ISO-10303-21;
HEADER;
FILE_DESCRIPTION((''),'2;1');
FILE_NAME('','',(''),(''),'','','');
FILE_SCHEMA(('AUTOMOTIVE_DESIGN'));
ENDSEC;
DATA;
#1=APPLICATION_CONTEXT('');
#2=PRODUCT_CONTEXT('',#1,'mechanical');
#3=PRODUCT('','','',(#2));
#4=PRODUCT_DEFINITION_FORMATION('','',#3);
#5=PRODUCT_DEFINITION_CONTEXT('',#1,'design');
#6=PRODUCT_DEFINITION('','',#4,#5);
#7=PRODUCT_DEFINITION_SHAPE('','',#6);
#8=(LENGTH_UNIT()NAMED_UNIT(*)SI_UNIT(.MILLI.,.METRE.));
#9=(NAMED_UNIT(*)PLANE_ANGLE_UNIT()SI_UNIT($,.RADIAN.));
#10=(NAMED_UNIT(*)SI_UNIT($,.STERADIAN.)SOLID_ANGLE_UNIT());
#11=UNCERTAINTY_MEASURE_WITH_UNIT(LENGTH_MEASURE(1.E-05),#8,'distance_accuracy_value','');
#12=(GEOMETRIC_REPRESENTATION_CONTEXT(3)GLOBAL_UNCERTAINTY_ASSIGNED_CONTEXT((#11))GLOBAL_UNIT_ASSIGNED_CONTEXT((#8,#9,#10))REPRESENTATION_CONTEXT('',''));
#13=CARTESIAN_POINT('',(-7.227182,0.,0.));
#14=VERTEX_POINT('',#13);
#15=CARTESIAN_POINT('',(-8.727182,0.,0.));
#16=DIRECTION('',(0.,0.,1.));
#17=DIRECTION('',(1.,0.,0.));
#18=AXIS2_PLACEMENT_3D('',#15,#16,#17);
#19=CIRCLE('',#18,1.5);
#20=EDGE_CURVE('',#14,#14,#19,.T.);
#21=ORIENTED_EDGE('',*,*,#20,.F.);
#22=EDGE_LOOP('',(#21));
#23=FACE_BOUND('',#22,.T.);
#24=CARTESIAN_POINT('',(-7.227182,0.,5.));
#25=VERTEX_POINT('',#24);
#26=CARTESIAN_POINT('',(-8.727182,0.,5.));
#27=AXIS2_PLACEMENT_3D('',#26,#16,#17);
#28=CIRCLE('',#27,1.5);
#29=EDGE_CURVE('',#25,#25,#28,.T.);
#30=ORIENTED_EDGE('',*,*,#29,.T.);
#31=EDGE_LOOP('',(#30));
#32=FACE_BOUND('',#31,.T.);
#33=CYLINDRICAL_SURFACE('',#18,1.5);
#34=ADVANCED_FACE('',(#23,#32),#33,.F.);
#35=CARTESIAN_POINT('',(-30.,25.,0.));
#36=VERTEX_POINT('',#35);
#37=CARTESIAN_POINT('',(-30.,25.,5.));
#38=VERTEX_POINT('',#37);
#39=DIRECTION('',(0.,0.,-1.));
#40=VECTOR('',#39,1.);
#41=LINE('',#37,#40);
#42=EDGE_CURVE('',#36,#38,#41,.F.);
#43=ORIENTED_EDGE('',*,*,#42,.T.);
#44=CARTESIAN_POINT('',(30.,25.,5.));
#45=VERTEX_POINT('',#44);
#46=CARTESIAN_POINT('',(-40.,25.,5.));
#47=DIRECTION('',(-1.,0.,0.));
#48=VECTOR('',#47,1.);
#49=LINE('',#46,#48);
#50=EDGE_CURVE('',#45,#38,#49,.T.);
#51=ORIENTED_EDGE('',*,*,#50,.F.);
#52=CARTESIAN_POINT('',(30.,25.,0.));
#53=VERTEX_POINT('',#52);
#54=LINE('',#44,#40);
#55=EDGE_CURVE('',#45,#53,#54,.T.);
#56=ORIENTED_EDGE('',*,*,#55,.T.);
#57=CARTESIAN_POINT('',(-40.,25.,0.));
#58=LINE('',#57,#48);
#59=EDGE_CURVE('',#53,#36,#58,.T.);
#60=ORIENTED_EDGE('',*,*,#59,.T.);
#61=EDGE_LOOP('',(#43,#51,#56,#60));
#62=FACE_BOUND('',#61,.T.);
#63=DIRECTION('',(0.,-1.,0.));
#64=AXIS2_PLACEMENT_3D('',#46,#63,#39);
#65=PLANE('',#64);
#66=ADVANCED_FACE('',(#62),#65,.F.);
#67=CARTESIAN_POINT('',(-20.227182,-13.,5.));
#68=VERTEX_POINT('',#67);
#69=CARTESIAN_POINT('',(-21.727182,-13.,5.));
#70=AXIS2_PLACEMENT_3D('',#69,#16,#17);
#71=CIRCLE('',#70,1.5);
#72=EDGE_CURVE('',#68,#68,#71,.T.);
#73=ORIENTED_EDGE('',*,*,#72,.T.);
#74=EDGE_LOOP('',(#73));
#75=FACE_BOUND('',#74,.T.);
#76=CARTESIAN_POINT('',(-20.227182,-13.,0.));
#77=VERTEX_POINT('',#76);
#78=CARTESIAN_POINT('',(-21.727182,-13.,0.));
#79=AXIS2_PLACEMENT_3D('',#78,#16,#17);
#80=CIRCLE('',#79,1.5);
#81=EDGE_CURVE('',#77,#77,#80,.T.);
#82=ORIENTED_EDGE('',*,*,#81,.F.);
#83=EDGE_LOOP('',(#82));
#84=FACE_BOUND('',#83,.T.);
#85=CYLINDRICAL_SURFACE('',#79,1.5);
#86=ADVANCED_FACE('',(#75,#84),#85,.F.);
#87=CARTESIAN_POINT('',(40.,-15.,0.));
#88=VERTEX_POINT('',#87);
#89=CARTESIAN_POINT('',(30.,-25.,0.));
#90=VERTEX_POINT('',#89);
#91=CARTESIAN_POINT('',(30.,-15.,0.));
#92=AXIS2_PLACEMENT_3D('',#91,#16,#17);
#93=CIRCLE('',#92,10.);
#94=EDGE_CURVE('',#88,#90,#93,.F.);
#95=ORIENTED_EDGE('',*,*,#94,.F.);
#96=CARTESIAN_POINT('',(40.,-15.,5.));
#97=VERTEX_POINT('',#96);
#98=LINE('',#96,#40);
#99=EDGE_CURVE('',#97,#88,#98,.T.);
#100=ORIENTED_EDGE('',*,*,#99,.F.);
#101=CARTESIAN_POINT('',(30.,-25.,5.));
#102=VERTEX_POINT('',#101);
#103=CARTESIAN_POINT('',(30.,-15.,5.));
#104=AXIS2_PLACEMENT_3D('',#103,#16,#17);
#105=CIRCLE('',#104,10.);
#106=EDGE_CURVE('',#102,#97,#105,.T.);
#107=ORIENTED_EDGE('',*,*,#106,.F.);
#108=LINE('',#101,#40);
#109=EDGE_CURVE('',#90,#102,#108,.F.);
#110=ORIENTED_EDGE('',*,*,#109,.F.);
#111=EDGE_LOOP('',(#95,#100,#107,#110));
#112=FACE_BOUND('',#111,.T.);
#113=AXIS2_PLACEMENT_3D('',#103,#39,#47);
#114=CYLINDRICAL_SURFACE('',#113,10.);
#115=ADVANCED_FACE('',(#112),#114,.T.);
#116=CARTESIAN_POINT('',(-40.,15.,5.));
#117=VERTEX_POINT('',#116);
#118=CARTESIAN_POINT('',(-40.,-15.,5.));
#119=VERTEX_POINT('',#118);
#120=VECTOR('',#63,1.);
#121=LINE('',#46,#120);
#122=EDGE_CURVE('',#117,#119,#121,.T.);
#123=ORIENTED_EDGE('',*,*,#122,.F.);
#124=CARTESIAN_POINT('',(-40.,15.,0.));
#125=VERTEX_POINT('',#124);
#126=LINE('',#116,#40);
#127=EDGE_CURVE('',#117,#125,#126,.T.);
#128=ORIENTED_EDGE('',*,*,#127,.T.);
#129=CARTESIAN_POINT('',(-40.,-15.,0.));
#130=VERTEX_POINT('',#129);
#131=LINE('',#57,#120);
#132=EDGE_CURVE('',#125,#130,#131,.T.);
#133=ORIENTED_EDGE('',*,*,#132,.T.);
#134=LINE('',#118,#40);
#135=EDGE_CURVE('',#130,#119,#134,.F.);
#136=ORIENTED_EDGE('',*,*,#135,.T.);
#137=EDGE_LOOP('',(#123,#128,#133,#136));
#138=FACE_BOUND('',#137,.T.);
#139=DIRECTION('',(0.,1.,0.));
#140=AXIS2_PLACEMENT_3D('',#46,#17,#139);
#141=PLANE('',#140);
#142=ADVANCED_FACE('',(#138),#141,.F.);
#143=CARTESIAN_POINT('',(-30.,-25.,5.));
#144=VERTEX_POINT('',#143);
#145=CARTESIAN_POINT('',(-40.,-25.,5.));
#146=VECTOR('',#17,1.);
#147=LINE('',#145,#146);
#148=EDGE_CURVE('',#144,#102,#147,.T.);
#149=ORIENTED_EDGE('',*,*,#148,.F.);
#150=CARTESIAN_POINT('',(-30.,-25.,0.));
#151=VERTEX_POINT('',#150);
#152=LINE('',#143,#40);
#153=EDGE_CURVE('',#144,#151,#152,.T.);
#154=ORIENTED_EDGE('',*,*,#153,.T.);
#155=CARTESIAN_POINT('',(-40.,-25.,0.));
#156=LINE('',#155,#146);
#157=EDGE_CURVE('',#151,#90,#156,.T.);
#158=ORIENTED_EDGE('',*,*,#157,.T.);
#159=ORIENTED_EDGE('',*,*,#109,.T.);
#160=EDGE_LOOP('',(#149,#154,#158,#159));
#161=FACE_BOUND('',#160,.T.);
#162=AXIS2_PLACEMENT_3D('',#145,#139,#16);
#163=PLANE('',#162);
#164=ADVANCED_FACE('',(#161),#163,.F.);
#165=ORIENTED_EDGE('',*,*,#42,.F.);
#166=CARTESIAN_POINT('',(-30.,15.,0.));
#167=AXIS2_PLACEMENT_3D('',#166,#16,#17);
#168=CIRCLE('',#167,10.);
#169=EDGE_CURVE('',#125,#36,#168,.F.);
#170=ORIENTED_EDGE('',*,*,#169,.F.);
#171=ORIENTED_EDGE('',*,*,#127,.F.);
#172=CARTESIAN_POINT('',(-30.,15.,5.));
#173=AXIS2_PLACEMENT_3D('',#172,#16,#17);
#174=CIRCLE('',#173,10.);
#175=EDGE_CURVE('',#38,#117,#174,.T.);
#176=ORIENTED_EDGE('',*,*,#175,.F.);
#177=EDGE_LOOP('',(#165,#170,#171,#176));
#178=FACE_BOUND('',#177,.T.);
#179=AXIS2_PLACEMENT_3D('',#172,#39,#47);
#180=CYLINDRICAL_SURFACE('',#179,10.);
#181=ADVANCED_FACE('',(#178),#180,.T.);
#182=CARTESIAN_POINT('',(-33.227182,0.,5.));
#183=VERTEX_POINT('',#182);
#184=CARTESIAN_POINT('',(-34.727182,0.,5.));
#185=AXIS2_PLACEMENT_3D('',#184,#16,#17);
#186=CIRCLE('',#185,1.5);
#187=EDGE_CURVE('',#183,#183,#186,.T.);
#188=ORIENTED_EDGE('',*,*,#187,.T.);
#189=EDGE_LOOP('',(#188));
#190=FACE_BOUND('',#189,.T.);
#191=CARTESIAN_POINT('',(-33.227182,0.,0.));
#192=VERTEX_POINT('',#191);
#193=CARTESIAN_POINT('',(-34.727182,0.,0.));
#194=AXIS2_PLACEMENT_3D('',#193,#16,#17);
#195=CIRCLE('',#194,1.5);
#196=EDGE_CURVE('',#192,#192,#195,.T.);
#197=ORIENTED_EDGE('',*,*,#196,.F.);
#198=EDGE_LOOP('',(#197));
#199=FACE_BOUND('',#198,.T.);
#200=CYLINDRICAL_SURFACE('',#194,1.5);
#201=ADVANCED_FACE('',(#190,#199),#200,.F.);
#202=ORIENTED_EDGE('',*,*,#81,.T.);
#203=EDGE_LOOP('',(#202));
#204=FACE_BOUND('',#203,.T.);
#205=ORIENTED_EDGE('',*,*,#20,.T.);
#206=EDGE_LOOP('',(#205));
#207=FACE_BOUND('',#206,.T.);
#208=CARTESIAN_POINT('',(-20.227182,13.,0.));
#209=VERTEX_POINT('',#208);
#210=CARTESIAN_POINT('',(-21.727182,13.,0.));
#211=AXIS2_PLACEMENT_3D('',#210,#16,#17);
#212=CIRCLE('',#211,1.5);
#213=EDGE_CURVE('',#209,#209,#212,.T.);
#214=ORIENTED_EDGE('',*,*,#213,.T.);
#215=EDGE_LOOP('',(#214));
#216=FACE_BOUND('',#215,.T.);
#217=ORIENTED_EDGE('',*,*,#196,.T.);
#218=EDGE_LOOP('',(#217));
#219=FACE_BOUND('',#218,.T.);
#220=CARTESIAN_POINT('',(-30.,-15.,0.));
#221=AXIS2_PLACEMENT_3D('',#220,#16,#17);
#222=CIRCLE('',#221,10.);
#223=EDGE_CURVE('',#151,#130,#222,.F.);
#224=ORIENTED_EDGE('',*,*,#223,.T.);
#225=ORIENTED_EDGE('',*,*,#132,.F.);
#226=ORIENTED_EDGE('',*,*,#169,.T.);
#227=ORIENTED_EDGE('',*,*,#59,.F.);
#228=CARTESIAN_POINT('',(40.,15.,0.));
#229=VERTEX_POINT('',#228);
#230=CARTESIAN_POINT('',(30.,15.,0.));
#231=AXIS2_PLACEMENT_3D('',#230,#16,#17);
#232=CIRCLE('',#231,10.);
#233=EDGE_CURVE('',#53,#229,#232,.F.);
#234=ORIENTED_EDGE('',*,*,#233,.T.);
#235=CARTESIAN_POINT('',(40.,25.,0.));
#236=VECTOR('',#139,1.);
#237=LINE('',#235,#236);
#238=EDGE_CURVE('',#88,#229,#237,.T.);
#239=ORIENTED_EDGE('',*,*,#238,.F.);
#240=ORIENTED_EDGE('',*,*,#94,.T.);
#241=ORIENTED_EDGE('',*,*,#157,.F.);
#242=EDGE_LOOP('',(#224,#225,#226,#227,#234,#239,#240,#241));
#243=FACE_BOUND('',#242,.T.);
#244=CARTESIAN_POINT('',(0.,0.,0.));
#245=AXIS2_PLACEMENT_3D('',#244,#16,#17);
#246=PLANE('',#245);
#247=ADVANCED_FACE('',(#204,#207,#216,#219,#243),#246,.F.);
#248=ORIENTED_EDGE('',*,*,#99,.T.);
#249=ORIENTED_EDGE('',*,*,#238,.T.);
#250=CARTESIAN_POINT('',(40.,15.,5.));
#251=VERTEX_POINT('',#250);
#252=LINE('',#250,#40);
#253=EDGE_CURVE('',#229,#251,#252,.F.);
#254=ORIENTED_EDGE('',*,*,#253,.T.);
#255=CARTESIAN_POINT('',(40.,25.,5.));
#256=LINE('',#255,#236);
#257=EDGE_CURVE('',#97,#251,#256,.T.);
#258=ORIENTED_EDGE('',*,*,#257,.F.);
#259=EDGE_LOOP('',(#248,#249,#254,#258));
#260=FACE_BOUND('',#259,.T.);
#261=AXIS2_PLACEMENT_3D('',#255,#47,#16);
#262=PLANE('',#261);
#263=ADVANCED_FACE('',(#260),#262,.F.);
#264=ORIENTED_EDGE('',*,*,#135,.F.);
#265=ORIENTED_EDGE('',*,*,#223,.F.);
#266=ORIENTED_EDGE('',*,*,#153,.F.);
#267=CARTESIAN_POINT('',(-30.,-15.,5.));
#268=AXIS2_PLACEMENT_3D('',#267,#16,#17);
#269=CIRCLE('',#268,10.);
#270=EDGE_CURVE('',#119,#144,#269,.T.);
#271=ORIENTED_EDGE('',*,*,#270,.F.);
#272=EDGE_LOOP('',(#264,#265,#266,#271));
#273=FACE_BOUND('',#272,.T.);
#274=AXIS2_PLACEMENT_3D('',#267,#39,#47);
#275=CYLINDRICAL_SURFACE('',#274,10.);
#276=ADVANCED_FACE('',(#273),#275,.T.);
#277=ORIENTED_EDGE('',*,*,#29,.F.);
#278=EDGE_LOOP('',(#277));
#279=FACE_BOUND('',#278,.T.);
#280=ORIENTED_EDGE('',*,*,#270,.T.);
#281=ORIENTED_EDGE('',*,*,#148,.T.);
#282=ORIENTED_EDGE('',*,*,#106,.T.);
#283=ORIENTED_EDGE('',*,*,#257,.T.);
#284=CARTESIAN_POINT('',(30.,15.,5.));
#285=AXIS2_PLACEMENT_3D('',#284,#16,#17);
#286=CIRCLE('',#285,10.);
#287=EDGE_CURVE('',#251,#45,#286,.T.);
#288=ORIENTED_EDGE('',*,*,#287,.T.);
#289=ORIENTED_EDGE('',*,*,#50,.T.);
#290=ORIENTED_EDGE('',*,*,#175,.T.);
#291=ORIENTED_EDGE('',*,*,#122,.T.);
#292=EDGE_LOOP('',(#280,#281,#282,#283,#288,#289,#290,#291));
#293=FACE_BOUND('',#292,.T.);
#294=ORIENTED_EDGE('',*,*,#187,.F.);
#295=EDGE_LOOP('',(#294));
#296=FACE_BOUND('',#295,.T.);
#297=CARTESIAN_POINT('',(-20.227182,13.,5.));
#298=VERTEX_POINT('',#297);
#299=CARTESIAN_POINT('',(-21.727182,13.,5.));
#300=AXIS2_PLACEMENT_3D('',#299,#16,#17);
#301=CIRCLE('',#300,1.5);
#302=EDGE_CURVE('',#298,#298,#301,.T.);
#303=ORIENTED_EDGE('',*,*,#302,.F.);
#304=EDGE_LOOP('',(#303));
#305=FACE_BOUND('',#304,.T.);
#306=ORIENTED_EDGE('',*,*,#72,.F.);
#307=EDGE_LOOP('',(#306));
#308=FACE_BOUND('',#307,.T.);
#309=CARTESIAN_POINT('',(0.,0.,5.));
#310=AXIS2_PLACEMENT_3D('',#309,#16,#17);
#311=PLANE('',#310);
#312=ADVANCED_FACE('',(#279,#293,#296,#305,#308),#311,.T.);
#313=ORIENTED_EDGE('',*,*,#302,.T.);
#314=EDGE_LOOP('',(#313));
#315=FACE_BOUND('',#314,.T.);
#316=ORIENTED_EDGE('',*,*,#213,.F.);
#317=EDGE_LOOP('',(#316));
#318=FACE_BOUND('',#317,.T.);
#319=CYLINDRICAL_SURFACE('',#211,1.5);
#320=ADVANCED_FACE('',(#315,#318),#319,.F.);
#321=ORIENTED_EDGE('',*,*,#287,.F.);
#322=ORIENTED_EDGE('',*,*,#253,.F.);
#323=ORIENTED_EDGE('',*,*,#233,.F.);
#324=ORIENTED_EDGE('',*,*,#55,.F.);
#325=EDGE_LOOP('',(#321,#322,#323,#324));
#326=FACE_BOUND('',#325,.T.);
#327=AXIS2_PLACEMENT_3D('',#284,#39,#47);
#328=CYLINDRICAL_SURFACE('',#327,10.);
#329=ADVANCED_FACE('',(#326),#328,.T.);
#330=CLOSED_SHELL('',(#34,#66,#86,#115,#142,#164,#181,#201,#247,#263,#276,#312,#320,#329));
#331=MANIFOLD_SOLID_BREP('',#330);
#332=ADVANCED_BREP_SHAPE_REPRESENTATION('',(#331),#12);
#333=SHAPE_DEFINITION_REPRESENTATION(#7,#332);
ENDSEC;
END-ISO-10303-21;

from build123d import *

# Parameters (mm, degrees)
SKETCH1_W           = 80
SKETCH1_H           = 50
BOSS_EXTRUDE1_DEPTH = 5
SKETCH2_R           = 1.5
CUT_EXTRUDE1_DEPTH  = 5
FILLET2_R           = 10


with BuildPart() as part:
    # Sketch1 → Boss-Extrude1 (new body)
    with BuildSketch(Plane.XY):
        Rectangle(SKETCH1_W, SKETCH1_H)
    extrude(amount=BOSS_EXTRUDE1_DEPTH)

    # Sketch2 → Cut-Extrude1 (cut)
    with BuildSketch(Plane.XY.offset(5)):
        with Locations((-21.727182294, 13)):
            Circle(SKETCH2_R)
        with Locations((-8.727182294, 0)):
            Circle(SKETCH2_R)
        with Locations((-21.727182294, -13)):
            Circle(SKETCH2_R)
        with Locations((-34.727182294, 0)):
            Circle(SKETCH2_R)
    extrude(amount=-CUT_EXTRUDE1_DEPTH, mode=Mode.SUBTRACT)

    # Fillet2
    fillet2_edges = [part.edges().sort_by_distance(p)[0] for p in [
        (40, -25, 2.5),
        (-40, -25, 2.5),
        (-40, 25, 2.5),
        (40, 25, 2.5),
    ]]
    fillet(fillet2_edges, radius=FILLET2_R)


solid = part.part
